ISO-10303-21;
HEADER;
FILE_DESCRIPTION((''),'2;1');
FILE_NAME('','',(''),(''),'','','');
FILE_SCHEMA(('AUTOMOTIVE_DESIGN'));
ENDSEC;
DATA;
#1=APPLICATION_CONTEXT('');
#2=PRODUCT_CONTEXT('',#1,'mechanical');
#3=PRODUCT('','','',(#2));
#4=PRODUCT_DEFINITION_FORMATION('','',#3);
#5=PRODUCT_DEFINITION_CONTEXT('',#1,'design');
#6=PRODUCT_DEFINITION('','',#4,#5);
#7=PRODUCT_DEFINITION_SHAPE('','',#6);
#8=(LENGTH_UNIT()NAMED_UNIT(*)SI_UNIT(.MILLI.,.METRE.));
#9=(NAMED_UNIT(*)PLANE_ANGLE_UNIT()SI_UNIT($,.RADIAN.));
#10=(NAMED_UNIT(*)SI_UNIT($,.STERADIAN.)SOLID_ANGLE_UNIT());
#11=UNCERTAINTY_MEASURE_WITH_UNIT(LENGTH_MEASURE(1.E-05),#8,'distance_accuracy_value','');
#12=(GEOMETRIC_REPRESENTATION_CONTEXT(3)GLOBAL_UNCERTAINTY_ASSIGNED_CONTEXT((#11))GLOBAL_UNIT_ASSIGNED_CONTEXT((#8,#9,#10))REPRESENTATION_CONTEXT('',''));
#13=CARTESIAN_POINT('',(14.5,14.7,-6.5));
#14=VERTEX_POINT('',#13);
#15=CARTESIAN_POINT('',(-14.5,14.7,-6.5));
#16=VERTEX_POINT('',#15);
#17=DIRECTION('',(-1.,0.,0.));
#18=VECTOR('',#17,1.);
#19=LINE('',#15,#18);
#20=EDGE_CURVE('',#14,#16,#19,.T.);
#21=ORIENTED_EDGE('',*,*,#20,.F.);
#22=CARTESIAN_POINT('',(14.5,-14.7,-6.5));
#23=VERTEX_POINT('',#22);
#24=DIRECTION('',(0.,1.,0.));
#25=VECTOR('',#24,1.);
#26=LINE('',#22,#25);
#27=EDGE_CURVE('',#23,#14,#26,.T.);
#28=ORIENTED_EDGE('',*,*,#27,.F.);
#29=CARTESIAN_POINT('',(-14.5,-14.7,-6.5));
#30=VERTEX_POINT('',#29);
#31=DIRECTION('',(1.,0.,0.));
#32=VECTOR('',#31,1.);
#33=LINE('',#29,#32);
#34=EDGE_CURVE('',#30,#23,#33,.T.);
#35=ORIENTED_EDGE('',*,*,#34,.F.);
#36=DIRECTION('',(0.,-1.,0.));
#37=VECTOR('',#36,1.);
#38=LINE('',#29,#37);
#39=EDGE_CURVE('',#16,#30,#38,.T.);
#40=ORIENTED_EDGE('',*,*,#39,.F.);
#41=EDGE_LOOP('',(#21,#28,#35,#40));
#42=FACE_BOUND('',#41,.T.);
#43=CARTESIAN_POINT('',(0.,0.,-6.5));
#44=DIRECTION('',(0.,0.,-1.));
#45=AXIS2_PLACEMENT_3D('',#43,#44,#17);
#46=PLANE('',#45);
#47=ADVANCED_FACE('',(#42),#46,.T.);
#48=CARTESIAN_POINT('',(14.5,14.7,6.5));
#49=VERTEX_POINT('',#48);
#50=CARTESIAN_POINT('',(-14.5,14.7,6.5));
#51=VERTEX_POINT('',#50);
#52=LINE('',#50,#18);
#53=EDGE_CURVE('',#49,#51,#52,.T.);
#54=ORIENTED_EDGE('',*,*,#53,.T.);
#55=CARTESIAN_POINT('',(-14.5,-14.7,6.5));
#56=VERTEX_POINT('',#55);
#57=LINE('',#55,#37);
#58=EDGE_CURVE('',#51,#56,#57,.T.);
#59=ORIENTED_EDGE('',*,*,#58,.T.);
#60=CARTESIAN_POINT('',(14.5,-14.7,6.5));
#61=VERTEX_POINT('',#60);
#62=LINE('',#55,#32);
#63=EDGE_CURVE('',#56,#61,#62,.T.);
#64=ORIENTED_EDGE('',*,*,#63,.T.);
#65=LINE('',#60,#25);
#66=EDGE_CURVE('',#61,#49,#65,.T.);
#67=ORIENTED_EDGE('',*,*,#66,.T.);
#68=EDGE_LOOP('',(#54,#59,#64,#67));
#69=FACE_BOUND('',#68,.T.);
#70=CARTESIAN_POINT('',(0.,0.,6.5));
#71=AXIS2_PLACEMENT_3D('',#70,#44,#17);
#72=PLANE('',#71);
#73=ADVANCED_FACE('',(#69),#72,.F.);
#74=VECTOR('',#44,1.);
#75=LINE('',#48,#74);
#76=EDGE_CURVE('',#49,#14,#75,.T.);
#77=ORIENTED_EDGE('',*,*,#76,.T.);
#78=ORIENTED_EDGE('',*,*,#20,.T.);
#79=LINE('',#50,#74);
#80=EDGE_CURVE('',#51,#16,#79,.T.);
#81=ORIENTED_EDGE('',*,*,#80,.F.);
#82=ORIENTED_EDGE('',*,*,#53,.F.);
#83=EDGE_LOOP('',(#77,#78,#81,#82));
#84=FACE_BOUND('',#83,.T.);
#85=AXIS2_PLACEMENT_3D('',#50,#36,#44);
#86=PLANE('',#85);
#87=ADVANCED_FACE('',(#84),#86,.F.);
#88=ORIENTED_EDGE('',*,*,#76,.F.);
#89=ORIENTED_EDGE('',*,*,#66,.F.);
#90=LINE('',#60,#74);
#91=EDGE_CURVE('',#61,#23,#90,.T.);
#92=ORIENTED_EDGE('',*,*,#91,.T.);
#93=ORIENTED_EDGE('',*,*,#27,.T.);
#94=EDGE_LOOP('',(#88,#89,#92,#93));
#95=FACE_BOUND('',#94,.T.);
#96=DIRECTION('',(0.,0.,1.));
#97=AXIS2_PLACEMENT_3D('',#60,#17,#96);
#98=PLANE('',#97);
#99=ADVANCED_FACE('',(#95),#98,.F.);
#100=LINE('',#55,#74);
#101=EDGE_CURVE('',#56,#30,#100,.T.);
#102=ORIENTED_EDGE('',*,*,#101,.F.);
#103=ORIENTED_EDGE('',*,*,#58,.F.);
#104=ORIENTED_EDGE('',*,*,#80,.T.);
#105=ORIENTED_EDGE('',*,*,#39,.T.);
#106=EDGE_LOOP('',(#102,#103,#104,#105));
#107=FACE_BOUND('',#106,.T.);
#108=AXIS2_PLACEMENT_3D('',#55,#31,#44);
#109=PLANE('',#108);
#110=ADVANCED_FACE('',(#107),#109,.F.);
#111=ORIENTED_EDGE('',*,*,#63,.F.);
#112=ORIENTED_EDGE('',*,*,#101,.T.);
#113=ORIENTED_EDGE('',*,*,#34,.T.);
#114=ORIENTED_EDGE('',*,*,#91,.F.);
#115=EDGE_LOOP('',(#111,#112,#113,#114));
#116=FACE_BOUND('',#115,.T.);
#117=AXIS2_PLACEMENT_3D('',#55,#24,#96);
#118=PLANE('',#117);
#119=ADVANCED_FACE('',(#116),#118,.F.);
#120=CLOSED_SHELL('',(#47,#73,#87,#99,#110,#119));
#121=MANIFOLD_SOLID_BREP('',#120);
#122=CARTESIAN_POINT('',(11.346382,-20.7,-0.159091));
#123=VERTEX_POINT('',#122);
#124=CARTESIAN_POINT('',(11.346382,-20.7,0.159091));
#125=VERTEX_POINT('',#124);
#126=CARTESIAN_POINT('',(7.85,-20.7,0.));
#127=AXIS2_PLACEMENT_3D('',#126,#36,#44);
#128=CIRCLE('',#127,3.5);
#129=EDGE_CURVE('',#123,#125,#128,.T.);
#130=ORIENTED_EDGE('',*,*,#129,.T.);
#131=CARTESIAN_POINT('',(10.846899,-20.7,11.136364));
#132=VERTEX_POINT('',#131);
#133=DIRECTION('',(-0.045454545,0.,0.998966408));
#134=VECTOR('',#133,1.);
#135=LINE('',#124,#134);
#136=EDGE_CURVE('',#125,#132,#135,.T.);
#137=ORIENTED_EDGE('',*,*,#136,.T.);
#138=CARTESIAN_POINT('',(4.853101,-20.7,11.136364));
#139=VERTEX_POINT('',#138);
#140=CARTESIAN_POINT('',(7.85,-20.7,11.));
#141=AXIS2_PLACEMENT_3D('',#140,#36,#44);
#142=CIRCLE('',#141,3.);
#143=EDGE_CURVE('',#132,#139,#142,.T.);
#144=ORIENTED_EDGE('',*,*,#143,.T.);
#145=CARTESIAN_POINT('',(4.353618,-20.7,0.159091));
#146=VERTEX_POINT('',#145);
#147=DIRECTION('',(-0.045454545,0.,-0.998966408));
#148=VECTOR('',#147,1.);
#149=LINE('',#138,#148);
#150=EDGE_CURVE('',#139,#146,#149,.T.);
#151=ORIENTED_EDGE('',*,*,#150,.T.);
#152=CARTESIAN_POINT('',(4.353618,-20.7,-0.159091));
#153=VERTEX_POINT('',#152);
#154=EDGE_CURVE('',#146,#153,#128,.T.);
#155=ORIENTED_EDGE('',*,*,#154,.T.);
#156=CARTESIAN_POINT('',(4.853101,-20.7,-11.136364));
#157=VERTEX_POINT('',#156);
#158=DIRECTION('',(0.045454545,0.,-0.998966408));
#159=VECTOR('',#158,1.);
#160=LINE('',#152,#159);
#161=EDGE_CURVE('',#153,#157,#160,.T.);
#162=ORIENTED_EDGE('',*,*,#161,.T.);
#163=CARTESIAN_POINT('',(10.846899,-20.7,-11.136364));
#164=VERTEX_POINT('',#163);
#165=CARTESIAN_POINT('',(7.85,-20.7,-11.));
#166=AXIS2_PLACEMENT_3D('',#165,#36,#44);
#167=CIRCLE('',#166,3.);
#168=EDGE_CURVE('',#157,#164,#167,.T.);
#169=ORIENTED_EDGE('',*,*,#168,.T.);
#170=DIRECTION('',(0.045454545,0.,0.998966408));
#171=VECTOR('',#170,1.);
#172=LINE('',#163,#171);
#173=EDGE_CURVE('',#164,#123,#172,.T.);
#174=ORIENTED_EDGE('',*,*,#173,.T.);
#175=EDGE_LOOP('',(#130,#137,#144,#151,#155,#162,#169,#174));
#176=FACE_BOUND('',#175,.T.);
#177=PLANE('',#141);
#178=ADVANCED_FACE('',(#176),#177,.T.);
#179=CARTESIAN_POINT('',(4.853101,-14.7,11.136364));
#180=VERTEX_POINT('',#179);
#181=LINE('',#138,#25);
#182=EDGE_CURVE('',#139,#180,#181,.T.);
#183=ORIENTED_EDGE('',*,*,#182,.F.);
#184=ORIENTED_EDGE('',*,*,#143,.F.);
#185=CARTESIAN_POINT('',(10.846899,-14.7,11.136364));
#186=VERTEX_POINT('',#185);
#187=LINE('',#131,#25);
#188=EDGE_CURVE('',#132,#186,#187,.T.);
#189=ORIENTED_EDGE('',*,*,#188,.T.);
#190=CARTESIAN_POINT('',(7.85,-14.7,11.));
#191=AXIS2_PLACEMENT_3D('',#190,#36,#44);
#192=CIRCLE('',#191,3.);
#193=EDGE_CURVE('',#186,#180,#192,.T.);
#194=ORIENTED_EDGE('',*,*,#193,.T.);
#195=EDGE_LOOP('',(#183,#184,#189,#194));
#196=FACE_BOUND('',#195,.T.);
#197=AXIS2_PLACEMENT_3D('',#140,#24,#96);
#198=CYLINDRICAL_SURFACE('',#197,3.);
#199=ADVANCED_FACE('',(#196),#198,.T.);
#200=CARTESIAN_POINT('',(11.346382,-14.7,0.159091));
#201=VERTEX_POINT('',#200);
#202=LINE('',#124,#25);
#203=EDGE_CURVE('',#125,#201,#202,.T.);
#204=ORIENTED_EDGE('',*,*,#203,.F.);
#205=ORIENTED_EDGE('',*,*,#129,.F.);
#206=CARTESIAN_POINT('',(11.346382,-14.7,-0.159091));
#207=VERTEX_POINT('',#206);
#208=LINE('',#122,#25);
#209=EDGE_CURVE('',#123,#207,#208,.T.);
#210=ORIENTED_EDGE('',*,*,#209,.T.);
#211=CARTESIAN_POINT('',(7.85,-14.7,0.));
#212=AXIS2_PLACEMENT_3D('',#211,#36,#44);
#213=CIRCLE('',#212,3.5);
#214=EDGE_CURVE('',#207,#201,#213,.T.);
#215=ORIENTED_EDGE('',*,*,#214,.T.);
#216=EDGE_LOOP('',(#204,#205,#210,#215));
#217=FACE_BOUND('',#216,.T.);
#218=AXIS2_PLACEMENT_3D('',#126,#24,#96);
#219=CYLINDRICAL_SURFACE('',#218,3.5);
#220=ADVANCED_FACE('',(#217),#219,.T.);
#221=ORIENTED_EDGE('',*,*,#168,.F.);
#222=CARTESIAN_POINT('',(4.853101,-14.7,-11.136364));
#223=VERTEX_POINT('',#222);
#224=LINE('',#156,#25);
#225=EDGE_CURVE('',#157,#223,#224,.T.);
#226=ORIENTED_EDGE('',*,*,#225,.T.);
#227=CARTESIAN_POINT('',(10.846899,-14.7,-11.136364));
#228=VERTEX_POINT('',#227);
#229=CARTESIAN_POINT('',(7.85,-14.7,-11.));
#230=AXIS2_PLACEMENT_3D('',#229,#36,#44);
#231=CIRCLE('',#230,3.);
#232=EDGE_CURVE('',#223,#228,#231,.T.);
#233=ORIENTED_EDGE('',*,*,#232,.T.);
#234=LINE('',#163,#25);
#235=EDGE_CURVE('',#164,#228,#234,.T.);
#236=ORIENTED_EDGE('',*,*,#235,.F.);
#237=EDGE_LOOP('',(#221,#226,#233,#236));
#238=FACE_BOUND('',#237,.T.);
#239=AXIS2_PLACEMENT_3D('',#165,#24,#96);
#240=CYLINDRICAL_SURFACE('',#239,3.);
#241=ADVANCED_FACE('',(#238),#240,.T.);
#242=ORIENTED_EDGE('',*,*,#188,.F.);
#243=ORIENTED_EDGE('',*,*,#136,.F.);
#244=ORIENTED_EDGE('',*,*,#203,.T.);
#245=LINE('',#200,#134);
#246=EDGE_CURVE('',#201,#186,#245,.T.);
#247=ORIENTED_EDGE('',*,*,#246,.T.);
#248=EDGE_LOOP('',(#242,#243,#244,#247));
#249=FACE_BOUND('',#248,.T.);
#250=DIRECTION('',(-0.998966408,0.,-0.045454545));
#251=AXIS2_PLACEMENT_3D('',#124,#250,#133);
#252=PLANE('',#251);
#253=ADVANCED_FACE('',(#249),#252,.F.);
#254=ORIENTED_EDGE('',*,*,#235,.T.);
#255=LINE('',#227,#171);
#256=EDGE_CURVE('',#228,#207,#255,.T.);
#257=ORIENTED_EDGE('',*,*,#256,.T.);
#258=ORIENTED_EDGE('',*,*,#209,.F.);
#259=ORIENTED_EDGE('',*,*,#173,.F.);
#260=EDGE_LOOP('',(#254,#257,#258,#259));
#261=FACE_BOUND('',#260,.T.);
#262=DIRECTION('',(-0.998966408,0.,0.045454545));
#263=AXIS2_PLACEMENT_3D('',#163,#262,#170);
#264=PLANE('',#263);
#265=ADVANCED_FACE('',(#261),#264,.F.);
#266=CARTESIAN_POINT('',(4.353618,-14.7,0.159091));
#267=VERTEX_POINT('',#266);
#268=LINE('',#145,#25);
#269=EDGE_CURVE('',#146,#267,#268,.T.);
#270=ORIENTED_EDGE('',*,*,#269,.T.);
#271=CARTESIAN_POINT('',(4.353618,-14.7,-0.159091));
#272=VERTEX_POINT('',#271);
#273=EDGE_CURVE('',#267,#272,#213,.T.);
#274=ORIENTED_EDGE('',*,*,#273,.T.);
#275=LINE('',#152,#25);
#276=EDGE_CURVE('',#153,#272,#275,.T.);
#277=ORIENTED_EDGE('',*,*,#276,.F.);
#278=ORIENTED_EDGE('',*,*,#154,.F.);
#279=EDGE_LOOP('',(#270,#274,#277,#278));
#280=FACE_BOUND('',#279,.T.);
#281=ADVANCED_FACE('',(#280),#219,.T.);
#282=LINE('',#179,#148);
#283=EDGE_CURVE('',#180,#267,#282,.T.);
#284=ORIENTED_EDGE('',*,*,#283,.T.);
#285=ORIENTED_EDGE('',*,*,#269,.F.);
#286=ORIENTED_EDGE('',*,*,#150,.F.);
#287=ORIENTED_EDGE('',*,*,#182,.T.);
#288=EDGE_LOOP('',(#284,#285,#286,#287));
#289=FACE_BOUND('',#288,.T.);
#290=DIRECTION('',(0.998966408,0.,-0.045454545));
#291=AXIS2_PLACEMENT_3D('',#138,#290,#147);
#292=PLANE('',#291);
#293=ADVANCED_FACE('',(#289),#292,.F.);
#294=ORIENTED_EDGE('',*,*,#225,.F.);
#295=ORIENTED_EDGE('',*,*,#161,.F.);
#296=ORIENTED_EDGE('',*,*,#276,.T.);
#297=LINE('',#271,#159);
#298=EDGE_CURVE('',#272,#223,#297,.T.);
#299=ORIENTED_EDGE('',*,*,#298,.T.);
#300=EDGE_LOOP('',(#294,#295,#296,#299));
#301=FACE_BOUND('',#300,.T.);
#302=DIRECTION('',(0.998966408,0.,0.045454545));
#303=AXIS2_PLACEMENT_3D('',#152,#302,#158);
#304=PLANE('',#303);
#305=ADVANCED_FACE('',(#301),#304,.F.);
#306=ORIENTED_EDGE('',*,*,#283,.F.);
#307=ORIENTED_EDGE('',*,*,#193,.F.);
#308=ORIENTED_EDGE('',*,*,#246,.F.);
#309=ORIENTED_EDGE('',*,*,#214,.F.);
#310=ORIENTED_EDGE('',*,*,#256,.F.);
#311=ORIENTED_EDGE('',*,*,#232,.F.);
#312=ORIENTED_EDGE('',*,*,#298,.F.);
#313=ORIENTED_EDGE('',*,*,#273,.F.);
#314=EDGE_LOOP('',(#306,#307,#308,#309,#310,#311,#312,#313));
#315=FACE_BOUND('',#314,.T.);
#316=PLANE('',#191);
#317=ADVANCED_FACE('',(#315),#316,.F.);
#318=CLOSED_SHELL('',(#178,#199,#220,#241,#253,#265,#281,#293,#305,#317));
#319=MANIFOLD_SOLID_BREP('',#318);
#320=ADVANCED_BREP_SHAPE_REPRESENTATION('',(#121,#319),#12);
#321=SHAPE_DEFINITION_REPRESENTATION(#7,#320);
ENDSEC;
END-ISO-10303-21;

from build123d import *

# Parameters (mm, degrees)
SKETCH1_W           = 29
SKETCH1_H           = 29.4
BOSS_EXTRUDE1_DEPTH = 6.5
BOSS_EXTRUDE2_DEPTH = 6


with BuildPart() as part:
    # Sketch1 → Boss-Extrude1 (new, symmetric)
    with BuildSketch(Plane.XY):
        Rectangle(SKETCH1_W, SKETCH1_H)
    extrude(amount=BOSS_EXTRUDE1_DEPTH, both=True)


with BuildPart() as body_2:
    # Sketch3 → Boss-Extrude2 (new body)
    with BuildSketch(Plane.XZ.offset(14.7)):
        with BuildLine():
            Line((4.353617572, -0.159090909), (4.853100776, -11.136363636))
            ThreePointArc((4.853100776, -11.136363636), (7.85, -14), (10.846899224, -11.136363636))
            Line((10.846899224, -11.136363636), (11.346382428, -0.159090909))
            ThreePointArc((11.346382428, -0.159090909), (11.35, 0), (11.346382428, 0.159090909))
            Line((11.346382428, 0.159090909), (10.846899224, 11.136363636))
            ThreePointArc((10.846899224, 11.136363636), (7.85, 14), (4.853100776, 11.136363636))
            Line((4.853100776, 11.136363636), (4.353617572, 0.159090909))
            ThreePointArc((4.353617572, 0.159090909), (4.35, 0), (4.353617572, -0.159090909))
        make_face()
    extrude(amount=BOSS_EXTRUDE2_DEPTH)


solid = Compound([part.part, body_2.part])
